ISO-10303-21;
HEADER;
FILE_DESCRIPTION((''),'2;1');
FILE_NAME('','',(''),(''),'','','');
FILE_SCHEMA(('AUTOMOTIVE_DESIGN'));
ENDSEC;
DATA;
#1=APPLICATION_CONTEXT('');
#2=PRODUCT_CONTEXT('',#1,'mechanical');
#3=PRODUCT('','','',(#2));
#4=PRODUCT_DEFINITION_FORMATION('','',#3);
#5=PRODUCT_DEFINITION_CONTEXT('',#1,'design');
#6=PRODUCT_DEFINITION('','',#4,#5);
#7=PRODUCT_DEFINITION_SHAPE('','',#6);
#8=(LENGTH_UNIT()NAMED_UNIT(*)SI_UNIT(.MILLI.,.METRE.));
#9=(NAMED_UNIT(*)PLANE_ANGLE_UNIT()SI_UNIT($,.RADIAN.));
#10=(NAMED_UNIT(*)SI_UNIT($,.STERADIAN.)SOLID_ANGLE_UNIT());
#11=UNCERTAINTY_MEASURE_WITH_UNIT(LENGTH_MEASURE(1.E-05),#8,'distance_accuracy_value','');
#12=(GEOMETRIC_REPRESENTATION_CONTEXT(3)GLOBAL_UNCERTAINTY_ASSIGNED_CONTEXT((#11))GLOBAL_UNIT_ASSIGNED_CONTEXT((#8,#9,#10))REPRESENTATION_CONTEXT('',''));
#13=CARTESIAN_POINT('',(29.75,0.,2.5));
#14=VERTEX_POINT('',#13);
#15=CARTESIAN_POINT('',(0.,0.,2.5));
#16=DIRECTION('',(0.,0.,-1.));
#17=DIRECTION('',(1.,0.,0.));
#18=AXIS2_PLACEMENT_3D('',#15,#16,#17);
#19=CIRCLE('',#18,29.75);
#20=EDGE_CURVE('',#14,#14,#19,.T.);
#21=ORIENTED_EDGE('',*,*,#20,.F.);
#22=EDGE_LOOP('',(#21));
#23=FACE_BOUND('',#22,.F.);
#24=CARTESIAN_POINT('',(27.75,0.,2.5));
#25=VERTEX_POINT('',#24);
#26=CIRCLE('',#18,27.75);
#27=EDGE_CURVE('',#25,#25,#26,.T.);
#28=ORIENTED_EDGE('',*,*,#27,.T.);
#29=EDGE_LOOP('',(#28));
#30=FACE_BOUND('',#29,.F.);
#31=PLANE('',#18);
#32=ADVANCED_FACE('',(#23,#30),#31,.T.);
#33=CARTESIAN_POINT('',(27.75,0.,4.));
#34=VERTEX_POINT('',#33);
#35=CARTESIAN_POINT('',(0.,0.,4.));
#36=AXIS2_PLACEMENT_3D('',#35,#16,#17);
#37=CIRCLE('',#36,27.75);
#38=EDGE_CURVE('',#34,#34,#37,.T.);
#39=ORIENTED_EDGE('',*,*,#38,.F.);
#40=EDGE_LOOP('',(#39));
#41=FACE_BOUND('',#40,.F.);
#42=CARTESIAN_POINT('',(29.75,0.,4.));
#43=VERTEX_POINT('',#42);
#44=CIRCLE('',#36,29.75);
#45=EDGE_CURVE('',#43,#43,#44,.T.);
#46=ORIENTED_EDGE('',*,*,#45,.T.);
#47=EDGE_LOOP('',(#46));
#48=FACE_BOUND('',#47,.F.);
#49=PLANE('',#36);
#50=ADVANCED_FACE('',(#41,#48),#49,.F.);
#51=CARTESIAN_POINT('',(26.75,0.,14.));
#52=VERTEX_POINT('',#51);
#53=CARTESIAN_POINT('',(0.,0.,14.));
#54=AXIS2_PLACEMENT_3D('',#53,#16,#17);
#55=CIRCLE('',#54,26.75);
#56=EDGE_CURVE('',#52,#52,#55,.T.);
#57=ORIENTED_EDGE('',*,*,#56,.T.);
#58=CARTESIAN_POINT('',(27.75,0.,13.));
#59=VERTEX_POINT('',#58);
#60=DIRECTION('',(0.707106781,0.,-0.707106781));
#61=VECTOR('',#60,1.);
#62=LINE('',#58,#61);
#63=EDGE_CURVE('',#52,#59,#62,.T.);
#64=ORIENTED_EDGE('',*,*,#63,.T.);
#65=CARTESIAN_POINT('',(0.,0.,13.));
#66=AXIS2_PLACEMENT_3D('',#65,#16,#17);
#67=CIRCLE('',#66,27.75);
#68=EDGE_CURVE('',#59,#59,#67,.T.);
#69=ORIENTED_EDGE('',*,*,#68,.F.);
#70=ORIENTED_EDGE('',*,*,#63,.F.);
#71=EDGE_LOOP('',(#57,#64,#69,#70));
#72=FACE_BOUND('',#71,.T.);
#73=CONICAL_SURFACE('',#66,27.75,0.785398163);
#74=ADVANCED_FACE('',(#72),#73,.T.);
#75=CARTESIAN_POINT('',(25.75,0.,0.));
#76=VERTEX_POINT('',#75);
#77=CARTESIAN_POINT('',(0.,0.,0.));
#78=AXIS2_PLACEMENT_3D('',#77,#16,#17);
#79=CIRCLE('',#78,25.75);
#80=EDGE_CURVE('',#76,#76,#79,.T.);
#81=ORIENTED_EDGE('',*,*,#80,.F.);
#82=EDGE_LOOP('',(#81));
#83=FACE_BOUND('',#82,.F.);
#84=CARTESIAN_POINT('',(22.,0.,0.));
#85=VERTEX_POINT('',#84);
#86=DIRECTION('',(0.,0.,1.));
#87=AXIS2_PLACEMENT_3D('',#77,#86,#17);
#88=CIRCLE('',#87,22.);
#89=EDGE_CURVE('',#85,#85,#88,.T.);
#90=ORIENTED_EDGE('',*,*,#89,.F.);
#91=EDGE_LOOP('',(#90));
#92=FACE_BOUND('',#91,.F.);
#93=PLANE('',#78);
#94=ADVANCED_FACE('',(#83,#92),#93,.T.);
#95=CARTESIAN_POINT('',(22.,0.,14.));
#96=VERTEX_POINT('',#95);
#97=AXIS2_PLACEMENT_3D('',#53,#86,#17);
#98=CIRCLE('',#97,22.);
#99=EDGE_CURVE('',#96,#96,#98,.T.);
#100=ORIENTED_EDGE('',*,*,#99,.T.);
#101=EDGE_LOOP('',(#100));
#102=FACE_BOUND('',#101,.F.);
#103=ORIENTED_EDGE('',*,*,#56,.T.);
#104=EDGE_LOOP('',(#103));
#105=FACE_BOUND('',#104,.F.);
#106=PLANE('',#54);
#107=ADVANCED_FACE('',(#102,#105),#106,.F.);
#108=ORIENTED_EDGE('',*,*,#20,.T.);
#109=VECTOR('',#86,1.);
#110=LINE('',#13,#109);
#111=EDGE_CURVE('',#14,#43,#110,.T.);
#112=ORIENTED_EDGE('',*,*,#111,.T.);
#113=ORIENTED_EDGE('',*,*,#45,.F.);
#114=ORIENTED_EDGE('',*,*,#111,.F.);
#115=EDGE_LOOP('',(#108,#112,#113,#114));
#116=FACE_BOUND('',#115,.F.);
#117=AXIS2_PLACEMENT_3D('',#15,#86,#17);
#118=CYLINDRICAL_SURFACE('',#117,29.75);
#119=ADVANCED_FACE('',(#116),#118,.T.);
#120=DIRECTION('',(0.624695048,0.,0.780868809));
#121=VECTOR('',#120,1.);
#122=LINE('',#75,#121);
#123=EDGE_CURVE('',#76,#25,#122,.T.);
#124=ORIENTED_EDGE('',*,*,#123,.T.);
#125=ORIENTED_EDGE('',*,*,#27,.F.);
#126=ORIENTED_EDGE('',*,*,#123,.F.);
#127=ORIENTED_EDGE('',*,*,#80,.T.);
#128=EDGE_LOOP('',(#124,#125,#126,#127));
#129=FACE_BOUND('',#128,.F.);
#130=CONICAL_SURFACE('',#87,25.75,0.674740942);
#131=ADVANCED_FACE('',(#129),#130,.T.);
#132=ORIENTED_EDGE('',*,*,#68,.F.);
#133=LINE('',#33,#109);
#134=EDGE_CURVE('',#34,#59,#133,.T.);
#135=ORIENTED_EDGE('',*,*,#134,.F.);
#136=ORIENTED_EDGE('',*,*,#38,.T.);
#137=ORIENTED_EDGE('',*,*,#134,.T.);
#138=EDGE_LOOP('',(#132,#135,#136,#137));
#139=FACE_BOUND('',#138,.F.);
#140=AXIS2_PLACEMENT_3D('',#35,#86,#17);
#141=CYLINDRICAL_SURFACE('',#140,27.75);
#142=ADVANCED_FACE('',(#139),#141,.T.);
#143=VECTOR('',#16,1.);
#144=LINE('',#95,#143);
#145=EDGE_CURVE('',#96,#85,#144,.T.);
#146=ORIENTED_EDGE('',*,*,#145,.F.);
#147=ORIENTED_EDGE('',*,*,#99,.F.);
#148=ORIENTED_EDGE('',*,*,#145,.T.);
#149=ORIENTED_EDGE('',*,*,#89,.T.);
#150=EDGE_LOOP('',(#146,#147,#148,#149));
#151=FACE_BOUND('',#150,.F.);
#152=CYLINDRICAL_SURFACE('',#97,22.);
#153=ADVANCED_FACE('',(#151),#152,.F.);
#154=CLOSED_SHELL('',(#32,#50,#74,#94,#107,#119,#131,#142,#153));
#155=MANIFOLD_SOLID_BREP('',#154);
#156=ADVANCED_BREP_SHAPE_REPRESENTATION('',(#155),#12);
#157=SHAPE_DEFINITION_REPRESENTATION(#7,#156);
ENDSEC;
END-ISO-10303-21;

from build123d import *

# Parameters (mm, degrees)
F2_R     = 22
F3_DEPTH = 25
F4_SIZE  = 1


with BuildPart() as f1:
    # F0 (on Front) → F1 (revolve)
    with BuildSketch(Plane.XZ):
        Polygon((0, 14), (0, 0), (25.75, 0), (27.75, 2.5), (29.75, 2.5), (29.75, 4), (27.75, 4), (27.75, 14), align=None)
    revolve(axis=Axis((0, 0, 7), (0, 0, -1)))

    # F2 (on face) → F3 (cut)
    with BuildSketch(Plane.XY.offset(14)):
        Circle(F2_R)
    extrude(amount=-F3_DEPTH, mode=Mode.SUBTRACT)

    # F4
    f4_edges = [f1.edges().sort_by_distance(p)[0] for p in [
        (-27.75, 0, 14),
    ]]
    chamfer(f4_edges, length=F4_SIZE)


solid = f1.part
